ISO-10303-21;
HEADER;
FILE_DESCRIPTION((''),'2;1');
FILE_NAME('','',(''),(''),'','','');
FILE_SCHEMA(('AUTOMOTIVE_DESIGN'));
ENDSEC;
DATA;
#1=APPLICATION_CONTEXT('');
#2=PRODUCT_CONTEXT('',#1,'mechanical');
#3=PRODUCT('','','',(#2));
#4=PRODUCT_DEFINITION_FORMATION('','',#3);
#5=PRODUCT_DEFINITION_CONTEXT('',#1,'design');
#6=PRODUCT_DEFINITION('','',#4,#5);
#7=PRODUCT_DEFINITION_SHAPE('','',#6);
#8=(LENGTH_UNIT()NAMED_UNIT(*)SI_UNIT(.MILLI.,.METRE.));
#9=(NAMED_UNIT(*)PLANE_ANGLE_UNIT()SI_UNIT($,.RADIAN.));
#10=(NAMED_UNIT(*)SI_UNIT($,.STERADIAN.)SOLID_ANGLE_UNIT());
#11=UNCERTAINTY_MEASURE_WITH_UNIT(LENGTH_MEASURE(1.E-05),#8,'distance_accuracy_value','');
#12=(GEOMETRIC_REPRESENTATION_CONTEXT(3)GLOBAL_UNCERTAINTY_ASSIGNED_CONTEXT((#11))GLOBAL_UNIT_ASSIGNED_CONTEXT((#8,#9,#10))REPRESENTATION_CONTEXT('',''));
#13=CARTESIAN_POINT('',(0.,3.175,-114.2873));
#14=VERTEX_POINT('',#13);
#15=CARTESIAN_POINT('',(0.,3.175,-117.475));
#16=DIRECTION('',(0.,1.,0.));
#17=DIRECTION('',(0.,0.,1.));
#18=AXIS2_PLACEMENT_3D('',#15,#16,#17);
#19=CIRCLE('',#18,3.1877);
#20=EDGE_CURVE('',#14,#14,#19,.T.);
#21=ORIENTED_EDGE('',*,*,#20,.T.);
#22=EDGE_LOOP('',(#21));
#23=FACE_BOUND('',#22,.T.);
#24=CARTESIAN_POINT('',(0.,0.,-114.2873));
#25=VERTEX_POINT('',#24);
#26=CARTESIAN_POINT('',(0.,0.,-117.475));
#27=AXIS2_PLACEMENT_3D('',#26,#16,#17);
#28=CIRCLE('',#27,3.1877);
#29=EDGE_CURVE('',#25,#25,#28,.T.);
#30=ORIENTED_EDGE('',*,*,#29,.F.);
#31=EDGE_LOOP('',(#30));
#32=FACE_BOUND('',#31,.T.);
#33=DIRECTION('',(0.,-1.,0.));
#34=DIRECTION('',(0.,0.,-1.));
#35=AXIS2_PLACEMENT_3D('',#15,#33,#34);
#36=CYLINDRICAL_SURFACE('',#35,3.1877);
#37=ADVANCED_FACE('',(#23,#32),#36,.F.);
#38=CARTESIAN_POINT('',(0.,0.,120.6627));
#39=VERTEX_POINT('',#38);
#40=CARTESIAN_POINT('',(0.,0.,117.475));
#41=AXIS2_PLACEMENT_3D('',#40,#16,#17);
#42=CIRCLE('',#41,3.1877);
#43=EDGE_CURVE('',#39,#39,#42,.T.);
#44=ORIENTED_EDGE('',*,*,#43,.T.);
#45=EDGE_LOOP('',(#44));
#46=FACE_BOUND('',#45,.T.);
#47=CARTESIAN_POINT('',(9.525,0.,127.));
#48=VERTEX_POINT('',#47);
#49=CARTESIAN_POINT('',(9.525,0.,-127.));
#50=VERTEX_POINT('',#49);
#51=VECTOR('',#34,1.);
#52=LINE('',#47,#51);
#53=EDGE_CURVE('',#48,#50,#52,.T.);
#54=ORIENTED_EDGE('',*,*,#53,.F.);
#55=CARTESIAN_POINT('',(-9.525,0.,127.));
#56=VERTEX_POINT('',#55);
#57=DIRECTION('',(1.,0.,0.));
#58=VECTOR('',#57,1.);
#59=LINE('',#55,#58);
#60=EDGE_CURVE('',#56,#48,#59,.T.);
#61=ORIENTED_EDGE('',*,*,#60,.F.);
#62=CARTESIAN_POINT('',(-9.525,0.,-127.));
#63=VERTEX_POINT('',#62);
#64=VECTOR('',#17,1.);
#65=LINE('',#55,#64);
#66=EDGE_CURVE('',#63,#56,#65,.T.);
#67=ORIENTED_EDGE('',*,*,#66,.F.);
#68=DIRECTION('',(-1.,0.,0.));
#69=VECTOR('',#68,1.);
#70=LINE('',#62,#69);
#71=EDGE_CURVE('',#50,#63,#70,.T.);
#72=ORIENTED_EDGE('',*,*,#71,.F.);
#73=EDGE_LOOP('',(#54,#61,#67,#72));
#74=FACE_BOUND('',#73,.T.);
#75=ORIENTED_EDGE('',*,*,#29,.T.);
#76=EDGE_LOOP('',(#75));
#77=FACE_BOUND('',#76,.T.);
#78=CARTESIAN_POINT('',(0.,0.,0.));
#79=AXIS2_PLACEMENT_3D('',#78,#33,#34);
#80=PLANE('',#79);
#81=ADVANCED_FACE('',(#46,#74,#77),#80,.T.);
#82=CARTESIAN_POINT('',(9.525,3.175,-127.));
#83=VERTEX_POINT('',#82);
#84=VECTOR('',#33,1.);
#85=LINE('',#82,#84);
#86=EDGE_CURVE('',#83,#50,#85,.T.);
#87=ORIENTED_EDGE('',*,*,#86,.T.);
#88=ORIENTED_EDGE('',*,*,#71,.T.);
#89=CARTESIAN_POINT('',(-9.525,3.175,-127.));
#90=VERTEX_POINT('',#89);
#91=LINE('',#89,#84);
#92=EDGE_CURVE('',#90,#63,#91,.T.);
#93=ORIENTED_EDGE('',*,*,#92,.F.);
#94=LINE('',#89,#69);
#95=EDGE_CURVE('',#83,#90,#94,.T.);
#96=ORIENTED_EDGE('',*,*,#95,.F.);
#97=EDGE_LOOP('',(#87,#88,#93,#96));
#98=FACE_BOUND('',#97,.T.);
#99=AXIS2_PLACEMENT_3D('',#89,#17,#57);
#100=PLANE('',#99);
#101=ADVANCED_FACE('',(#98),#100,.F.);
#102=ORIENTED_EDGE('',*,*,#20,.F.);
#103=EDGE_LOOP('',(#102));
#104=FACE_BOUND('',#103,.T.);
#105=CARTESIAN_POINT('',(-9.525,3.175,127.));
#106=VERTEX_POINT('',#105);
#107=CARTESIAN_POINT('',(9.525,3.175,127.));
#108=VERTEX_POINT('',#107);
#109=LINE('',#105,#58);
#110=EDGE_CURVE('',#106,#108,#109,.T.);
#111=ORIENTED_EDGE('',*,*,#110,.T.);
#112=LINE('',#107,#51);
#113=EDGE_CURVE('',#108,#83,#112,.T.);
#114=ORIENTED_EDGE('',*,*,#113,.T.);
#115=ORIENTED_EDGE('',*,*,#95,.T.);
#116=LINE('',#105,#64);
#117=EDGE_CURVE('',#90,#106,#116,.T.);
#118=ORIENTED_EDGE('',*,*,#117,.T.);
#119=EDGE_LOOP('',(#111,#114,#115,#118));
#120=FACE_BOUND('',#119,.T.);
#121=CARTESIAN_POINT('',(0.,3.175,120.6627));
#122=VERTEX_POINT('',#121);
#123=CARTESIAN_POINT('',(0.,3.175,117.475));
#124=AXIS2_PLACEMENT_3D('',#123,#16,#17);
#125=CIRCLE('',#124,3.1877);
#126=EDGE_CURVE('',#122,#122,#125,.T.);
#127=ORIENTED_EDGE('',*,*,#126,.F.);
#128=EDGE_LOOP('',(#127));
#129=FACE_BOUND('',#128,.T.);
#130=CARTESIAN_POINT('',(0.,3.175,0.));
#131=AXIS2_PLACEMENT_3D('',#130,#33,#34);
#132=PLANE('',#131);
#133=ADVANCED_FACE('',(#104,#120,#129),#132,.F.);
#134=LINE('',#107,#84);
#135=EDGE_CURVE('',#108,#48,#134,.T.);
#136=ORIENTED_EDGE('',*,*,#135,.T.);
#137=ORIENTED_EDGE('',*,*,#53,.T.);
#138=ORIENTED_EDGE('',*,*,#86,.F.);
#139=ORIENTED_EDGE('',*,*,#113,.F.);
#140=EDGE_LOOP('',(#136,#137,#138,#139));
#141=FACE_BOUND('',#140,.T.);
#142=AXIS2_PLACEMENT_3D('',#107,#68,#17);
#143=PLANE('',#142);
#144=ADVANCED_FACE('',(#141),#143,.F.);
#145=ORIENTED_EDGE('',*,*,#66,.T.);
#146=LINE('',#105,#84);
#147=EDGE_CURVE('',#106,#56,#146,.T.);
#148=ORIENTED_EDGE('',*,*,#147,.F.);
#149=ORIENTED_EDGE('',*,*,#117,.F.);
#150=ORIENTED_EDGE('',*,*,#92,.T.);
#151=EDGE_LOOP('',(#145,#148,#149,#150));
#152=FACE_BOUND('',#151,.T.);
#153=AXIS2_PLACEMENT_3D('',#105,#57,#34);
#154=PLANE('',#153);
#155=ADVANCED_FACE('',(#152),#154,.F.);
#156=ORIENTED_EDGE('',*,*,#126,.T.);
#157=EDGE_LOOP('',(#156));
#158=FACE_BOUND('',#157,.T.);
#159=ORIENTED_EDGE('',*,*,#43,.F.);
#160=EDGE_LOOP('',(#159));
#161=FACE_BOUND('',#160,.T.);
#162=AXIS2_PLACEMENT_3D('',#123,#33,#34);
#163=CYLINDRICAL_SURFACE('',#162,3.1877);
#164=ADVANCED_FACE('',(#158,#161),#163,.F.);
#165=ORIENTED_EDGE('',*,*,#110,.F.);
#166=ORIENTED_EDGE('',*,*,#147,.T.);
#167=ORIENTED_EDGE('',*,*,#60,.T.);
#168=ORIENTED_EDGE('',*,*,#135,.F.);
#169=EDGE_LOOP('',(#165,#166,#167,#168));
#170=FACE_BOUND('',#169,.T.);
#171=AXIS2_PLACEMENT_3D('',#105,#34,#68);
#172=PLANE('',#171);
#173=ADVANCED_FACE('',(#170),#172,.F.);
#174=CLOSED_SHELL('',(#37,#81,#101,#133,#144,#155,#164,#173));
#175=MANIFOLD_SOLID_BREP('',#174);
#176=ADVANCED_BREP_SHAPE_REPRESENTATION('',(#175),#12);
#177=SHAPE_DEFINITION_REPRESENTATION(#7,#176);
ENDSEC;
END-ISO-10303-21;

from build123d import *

# Parameters (mm, degrees)
SKETCH1_W           = 19.05
SKETCH1_H           = 254
SKETCH1_R           = 3.1877
BOSS_EXTRUDE1_DEPTH = 3.175


with BuildPart() as part:
    # Sketch1 → Boss-Extrude1 (new body)
    with BuildSketch(Plane(origin=(0, 0, 0), x_dir=(1, 0, 0), z_dir=(0, 1, 0))):
        Rectangle(SKETCH1_W, SKETCH1_H)
        with Locations(Location((0, 117.475, 0), (0, 0, 270))):
            Circle(SKETCH1_R, mode=Mode.SUBTRACT)
        with Locations(Location((0, -117.475, 0), (0, 0, 270))):
            Circle(SKETCH1_R, mode=Mode.SUBTRACT)
    extrude(amount=BOSS_EXTRUDE1_DEPTH)


solid = part.part
